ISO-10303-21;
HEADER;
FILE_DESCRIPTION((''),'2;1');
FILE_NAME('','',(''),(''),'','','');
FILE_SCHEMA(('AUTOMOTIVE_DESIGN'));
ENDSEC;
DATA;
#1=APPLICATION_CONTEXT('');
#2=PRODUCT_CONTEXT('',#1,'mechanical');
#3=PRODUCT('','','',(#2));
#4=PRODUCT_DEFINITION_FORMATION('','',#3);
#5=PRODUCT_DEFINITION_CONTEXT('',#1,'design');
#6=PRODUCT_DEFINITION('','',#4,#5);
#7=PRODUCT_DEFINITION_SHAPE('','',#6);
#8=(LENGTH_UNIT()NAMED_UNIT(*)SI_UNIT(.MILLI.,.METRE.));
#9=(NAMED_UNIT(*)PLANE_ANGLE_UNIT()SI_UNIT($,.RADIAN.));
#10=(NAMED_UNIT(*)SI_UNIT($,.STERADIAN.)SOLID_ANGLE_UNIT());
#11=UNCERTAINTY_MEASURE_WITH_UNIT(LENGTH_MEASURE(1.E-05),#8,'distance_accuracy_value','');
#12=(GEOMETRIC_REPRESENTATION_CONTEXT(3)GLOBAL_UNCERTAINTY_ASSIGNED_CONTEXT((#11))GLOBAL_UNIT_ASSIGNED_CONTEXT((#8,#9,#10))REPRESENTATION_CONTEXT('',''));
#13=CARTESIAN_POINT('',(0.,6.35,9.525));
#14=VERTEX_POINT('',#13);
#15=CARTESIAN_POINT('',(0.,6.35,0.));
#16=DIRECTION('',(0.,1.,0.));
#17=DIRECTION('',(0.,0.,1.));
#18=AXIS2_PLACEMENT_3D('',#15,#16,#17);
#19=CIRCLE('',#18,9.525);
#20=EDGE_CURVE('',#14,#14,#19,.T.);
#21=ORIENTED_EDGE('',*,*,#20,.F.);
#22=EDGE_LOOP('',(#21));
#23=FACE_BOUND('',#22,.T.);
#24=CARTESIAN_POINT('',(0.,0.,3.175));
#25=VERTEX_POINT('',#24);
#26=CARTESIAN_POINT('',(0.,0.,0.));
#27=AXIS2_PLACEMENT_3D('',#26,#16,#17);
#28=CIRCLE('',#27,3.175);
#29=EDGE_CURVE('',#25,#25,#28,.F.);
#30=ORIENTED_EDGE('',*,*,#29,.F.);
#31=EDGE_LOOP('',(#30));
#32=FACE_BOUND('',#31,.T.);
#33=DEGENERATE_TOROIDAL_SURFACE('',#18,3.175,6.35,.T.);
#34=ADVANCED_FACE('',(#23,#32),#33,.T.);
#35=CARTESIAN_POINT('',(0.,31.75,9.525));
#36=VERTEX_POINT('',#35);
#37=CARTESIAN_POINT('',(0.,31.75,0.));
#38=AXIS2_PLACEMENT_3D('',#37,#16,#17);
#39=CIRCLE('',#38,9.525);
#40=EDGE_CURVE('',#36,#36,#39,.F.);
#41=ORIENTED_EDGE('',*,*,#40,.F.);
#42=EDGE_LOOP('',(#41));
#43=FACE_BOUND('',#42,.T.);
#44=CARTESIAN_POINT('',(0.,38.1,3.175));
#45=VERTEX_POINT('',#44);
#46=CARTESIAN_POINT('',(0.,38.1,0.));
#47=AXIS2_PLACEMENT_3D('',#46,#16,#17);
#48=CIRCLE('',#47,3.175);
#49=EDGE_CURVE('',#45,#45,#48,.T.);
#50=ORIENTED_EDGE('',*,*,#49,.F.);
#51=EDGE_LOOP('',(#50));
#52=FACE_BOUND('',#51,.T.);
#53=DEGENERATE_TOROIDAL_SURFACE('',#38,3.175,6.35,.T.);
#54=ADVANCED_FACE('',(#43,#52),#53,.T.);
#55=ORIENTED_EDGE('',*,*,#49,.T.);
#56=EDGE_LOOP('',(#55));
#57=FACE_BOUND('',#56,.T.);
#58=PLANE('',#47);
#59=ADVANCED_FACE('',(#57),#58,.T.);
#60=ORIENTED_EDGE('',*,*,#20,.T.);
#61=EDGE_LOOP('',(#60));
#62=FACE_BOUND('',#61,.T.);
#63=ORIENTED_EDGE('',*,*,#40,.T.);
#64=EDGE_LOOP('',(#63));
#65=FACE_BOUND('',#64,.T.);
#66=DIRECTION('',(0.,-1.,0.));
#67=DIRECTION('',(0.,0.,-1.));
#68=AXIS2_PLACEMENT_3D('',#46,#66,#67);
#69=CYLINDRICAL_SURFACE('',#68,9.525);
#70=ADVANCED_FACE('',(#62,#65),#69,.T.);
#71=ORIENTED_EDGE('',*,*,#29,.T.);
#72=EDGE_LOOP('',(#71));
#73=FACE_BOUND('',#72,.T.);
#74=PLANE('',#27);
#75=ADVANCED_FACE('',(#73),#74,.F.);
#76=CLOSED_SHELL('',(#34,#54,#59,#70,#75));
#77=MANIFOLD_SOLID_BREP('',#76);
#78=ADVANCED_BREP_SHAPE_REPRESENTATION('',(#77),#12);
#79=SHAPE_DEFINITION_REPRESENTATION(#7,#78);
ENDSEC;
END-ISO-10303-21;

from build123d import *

# Parameters (mm, degrees)
SKETCH2_R          = 9.525
BASE_EXTRUDE_DEPTH = 38.1
FILLET1_R          = 6.35


with BuildPart() as part:
    # Sketch2 → Base-Extrude (new body)
    with BuildSketch(Plane(origin=(0, 0, 0), x_dir=(1, 0, 0), z_dir=(0, 1, 0))):
        Circle(SKETCH2_R)
    extrude(amount=BASE_EXTRUDE_DEPTH)

    # Fillet1
    fillet1_edges = [part.edges().sort_by_distance(p)[0] for p in [
        (-9.525, 0, 0),
        (-9.525, 38.1, 0),
    ]]
    fillet(fillet1_edges, radius=FILLET1_R)


solid = part.part
